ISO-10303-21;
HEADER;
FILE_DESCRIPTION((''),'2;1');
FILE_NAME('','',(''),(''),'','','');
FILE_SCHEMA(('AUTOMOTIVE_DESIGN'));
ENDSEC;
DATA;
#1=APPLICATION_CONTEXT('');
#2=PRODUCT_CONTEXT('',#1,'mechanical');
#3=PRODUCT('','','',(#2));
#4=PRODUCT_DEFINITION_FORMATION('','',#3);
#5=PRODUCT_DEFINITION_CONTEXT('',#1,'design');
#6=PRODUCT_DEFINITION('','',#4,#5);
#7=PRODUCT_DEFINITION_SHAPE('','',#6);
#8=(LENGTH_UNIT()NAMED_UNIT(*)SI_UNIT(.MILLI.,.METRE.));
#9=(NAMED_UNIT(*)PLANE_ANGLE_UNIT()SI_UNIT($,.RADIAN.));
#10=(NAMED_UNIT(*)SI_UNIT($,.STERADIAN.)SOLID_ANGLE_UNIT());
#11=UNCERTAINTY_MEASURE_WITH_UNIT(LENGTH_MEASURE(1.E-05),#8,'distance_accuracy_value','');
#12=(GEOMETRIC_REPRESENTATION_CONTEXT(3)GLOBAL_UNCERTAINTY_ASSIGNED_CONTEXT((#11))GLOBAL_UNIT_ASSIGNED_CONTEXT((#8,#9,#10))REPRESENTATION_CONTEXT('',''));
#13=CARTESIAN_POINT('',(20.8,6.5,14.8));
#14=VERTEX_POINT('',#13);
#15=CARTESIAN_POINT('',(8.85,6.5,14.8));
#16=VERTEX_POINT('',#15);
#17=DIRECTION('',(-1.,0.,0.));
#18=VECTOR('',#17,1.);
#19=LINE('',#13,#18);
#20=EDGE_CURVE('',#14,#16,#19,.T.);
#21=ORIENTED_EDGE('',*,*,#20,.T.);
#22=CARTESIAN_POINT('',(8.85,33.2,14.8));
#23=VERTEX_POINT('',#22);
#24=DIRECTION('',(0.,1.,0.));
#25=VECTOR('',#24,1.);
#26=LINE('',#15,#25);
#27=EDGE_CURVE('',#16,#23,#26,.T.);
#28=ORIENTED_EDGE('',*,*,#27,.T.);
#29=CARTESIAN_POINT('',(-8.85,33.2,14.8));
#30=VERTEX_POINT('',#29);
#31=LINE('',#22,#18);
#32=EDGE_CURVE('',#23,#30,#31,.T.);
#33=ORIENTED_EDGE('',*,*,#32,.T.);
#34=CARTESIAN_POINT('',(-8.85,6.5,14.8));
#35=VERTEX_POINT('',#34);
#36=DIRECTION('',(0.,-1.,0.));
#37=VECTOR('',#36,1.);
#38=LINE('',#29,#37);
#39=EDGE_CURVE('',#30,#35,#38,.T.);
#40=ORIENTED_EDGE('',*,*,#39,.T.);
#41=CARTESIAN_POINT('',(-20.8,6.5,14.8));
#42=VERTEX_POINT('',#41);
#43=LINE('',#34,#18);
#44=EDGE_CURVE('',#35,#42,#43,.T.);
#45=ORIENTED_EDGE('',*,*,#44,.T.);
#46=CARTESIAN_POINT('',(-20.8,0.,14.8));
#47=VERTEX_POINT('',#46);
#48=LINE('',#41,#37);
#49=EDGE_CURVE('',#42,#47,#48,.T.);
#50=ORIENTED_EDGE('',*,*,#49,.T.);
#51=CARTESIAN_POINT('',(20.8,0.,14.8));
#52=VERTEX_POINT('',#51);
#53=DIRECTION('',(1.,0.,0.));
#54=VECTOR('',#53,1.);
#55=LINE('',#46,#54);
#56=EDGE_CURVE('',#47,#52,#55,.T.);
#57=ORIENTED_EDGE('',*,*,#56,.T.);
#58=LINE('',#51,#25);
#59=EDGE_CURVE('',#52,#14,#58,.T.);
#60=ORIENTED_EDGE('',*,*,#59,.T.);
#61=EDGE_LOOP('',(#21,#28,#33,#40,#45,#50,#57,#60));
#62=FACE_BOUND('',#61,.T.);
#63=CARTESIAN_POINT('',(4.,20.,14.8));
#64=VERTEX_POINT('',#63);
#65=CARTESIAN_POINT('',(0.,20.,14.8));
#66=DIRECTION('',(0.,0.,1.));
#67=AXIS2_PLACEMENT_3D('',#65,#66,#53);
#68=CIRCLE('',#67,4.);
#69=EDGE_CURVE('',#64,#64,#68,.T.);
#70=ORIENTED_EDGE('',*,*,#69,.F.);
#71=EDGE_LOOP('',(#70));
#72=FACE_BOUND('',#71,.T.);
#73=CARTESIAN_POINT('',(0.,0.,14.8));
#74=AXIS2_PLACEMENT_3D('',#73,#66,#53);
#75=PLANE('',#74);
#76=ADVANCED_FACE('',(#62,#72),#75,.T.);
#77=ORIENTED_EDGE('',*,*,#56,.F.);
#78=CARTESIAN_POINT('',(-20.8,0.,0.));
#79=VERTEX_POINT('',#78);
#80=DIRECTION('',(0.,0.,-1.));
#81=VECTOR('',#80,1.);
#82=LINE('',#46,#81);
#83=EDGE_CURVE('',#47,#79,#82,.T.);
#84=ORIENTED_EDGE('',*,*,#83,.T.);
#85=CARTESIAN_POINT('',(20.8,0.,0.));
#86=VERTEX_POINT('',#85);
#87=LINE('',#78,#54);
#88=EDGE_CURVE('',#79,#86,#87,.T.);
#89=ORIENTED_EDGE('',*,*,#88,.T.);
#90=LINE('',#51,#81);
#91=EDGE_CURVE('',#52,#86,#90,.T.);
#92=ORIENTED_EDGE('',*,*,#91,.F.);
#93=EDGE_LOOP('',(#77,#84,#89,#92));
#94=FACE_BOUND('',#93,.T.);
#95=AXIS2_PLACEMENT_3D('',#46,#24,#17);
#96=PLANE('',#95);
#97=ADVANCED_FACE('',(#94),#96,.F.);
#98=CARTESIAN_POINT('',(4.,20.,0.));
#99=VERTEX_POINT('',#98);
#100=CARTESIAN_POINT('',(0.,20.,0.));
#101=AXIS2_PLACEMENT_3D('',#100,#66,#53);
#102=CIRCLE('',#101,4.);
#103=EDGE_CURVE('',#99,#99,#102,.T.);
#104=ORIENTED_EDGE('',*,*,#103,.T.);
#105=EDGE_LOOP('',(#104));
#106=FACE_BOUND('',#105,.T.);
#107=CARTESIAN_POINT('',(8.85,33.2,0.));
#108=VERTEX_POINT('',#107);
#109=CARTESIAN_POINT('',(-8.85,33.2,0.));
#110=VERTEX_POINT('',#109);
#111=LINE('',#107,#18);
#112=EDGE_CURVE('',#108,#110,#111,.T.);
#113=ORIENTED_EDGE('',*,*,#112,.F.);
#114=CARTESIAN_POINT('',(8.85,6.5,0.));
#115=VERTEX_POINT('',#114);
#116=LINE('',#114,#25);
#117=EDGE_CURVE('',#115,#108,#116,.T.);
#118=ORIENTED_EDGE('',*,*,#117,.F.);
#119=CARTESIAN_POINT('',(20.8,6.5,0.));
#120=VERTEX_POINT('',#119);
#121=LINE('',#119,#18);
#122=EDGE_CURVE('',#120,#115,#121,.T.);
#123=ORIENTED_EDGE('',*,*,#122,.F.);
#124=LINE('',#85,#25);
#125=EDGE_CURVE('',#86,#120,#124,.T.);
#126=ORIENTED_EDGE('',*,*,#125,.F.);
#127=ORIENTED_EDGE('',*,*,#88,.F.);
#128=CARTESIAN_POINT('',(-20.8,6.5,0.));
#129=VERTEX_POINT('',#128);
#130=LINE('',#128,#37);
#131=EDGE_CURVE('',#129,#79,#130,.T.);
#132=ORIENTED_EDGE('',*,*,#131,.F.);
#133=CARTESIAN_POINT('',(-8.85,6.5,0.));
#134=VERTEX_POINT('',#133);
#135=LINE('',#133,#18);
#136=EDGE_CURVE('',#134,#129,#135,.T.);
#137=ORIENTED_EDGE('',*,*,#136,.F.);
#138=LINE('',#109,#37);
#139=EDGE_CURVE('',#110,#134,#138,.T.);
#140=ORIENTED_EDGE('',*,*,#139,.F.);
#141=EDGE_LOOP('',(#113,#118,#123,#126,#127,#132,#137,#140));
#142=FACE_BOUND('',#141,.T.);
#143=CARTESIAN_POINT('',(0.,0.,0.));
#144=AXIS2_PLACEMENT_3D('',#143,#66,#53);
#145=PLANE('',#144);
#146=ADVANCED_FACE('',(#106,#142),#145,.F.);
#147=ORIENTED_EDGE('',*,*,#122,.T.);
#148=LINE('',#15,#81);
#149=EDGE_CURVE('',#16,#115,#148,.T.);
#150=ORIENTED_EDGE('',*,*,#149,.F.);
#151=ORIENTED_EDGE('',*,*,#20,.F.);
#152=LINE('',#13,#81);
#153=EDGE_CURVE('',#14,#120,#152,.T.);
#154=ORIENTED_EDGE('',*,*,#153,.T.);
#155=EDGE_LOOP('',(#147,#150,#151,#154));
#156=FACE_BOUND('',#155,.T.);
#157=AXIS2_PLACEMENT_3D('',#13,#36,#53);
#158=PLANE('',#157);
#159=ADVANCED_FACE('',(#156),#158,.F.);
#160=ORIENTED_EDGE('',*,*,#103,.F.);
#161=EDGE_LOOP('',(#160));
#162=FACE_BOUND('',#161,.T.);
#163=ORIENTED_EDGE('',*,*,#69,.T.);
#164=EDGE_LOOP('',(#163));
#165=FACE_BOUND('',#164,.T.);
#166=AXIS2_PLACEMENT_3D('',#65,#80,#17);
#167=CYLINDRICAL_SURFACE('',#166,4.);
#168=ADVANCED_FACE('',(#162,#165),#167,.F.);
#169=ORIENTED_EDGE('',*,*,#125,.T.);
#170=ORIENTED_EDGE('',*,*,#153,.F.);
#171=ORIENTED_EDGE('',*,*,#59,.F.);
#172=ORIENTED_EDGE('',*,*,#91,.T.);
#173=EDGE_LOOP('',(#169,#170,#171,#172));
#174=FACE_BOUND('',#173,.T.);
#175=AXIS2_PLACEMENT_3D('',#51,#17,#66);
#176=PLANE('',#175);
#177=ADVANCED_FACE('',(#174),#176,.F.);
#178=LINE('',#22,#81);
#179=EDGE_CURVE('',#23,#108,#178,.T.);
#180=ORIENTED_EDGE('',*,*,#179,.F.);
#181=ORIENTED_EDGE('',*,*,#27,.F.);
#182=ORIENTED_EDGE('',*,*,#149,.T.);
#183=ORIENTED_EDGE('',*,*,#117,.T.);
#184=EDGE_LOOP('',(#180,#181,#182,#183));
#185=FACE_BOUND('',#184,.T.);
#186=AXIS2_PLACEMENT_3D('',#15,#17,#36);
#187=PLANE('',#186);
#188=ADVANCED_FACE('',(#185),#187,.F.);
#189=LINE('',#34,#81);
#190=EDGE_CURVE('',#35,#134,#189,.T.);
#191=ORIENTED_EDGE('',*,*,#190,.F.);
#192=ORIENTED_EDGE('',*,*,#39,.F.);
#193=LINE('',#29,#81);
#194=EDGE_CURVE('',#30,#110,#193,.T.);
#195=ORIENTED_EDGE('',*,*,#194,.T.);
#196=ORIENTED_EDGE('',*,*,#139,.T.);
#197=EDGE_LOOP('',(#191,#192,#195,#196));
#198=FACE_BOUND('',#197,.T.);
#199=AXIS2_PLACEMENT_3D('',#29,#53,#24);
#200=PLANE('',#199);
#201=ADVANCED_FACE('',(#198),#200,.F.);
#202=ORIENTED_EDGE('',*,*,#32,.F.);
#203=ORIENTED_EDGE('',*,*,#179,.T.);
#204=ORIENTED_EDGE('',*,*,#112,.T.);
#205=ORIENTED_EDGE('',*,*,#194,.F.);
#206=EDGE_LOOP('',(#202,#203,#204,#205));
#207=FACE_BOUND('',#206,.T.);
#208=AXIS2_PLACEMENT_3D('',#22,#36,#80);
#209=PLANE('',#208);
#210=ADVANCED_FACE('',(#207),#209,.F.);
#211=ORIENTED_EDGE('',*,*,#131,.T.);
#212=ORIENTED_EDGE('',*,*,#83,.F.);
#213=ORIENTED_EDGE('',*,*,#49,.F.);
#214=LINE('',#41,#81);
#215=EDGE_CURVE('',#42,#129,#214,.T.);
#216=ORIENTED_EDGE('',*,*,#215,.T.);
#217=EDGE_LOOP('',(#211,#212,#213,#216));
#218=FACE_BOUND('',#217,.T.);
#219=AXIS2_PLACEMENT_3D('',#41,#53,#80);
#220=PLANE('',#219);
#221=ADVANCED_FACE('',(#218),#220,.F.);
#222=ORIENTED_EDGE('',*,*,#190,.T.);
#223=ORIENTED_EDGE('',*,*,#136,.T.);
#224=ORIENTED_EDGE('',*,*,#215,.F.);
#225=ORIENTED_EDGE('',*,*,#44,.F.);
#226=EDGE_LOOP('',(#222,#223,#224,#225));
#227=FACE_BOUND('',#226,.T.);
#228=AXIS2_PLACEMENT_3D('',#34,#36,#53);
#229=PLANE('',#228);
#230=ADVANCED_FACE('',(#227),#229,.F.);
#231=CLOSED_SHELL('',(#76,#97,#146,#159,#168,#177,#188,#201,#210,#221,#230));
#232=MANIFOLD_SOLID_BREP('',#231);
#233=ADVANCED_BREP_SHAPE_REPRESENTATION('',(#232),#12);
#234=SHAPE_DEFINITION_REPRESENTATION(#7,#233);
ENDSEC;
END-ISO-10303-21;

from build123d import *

# Parameters (mm, degrees)
SKETCH1_R           = 4
BOSS_EXTRUDE1_DEPTH = 14.8


with BuildPart() as part:
    # Sketch1 → Boss-Extrude1 (new body)
    with BuildSketch(Plane.XY):
        Polygon((-20.8, 0), (20.8, 0), (20.8, 6.5), (8.85, 6.5), (8.85, 33.2), (-8.85, 33.2), (-8.85, 6.5), (-20.8, 6.5), align=None)
        with Locations((0, 20)):
            Circle(SKETCH1_R, mode=Mode.SUBTRACT)
    extrude(amount=BOSS_EXTRUDE1_DEPTH)


solid = part.part
